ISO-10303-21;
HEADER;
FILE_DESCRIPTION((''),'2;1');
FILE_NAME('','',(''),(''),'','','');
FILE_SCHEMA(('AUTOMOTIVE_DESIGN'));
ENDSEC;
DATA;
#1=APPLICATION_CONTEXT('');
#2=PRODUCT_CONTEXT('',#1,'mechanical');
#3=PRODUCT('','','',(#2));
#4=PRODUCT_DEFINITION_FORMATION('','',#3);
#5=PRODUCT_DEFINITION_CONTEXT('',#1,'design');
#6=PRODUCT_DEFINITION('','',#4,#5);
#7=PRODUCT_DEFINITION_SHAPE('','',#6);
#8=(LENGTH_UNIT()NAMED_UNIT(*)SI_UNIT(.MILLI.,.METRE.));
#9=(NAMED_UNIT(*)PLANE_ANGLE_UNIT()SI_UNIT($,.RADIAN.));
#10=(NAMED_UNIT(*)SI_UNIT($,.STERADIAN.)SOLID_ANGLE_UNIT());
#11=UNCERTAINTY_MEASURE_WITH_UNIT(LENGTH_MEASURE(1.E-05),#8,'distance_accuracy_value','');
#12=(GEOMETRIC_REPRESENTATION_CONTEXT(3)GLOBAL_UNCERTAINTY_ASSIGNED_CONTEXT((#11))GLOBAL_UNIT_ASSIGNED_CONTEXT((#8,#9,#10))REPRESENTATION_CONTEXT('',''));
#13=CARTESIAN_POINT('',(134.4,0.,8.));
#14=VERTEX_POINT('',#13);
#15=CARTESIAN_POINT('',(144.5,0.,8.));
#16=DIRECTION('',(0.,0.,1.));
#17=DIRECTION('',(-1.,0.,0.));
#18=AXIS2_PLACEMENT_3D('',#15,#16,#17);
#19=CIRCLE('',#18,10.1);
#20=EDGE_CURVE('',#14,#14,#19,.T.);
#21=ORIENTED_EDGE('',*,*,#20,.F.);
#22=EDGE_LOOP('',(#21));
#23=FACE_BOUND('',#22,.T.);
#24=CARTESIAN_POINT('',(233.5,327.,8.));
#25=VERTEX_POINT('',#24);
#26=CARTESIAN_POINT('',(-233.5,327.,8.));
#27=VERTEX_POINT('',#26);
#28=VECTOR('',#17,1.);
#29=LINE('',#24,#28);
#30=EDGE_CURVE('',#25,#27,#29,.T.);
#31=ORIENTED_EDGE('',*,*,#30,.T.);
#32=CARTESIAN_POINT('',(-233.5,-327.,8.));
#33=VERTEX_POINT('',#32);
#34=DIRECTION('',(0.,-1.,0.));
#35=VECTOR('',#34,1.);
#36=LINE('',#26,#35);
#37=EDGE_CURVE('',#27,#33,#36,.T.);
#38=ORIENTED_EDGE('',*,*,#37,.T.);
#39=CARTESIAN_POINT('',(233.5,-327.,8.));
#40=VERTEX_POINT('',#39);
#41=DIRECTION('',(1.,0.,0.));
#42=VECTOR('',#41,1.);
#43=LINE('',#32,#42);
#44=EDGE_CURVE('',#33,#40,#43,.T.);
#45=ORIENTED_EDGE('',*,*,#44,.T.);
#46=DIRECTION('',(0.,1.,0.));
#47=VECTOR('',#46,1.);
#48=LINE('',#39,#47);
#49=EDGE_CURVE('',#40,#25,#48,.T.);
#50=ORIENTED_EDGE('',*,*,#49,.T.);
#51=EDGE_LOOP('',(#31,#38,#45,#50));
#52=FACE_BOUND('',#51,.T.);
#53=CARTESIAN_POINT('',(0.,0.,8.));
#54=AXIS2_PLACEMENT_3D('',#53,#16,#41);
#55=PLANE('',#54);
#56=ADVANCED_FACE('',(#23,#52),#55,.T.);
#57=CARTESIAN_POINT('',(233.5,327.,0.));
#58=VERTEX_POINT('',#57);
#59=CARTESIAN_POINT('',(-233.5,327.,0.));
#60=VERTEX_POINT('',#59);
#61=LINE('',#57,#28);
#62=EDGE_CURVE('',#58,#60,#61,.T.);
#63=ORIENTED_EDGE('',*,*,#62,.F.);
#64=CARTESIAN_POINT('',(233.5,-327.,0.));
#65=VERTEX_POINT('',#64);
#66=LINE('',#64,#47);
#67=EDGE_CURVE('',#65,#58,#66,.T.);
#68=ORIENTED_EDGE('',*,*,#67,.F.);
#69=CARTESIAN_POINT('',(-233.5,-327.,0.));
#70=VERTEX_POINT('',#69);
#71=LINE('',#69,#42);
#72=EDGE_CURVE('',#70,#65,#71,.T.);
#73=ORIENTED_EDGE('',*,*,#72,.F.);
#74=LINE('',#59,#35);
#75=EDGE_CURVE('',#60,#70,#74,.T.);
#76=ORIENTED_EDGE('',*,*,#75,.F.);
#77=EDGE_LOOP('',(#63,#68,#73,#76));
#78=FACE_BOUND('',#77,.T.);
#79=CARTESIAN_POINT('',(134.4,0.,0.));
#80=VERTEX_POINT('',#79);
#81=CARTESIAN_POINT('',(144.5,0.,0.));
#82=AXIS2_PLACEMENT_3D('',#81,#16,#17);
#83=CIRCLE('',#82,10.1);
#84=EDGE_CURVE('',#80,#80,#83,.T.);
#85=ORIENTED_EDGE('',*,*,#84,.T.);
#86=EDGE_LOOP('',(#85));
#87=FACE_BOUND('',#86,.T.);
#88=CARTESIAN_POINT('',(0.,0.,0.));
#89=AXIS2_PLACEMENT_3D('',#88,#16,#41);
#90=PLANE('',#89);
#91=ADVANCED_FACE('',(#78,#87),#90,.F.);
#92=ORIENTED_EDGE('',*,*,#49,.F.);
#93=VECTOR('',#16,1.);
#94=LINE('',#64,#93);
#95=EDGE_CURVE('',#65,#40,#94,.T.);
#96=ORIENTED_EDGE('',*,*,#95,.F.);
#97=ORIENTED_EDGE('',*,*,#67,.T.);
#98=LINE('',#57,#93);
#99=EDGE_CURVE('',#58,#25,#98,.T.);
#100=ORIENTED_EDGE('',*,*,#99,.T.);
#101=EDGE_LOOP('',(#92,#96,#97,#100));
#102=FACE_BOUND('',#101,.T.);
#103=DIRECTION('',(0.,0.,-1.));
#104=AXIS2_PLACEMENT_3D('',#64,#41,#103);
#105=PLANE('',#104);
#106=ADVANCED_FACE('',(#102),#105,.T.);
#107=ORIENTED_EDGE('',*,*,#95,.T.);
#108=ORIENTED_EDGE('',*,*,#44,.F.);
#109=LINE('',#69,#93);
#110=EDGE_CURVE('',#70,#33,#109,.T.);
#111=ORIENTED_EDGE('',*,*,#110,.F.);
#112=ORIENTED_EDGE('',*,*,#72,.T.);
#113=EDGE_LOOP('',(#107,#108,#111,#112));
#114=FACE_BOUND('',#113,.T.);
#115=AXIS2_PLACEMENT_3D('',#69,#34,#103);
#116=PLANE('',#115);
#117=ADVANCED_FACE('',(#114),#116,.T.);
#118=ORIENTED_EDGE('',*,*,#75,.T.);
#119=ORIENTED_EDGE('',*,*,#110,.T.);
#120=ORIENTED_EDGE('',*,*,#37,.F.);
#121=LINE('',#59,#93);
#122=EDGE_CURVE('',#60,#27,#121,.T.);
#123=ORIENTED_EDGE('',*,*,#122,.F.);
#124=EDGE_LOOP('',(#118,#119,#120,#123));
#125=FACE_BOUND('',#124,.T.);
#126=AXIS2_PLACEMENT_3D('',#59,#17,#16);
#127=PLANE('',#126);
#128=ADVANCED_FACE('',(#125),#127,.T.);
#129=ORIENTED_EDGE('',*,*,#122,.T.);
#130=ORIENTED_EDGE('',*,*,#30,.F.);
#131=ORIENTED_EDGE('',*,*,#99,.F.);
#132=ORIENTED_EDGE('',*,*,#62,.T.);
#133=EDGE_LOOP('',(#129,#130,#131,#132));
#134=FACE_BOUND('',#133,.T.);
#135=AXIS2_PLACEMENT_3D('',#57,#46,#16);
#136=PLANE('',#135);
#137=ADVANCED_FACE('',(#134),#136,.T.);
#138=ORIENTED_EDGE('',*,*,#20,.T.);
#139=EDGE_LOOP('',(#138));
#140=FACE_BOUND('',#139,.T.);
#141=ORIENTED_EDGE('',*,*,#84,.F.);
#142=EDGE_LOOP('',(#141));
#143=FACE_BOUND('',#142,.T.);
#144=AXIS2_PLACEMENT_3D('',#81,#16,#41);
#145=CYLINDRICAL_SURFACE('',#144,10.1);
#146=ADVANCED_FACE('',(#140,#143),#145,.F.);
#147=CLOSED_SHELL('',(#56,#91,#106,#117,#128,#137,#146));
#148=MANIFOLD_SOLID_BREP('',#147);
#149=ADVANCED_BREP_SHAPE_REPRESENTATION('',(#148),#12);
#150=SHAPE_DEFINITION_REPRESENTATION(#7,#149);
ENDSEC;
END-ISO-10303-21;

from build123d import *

# Parameters (mm, degrees)
SKETCH1_W           = 467
SKETCH1_H           = 654
SKETCH1_R           = 10.1
BOSS_EXTRUDE1_DEPTH = 8


with BuildPart() as part:
    # Sketch1 → Boss-Extrude1 (new body)
    with BuildSketch(Plane.XY.offset(8)):
        Rectangle(SKETCH1_W, SKETCH1_H)
        with Locations(Location((144.5, 0, 0), (0, 0, 180))):
            Circle(SKETCH1_R, mode=Mode.SUBTRACT)
    extrude(amount=-BOSS_EXTRUDE1_DEPTH)


solid = part.part
